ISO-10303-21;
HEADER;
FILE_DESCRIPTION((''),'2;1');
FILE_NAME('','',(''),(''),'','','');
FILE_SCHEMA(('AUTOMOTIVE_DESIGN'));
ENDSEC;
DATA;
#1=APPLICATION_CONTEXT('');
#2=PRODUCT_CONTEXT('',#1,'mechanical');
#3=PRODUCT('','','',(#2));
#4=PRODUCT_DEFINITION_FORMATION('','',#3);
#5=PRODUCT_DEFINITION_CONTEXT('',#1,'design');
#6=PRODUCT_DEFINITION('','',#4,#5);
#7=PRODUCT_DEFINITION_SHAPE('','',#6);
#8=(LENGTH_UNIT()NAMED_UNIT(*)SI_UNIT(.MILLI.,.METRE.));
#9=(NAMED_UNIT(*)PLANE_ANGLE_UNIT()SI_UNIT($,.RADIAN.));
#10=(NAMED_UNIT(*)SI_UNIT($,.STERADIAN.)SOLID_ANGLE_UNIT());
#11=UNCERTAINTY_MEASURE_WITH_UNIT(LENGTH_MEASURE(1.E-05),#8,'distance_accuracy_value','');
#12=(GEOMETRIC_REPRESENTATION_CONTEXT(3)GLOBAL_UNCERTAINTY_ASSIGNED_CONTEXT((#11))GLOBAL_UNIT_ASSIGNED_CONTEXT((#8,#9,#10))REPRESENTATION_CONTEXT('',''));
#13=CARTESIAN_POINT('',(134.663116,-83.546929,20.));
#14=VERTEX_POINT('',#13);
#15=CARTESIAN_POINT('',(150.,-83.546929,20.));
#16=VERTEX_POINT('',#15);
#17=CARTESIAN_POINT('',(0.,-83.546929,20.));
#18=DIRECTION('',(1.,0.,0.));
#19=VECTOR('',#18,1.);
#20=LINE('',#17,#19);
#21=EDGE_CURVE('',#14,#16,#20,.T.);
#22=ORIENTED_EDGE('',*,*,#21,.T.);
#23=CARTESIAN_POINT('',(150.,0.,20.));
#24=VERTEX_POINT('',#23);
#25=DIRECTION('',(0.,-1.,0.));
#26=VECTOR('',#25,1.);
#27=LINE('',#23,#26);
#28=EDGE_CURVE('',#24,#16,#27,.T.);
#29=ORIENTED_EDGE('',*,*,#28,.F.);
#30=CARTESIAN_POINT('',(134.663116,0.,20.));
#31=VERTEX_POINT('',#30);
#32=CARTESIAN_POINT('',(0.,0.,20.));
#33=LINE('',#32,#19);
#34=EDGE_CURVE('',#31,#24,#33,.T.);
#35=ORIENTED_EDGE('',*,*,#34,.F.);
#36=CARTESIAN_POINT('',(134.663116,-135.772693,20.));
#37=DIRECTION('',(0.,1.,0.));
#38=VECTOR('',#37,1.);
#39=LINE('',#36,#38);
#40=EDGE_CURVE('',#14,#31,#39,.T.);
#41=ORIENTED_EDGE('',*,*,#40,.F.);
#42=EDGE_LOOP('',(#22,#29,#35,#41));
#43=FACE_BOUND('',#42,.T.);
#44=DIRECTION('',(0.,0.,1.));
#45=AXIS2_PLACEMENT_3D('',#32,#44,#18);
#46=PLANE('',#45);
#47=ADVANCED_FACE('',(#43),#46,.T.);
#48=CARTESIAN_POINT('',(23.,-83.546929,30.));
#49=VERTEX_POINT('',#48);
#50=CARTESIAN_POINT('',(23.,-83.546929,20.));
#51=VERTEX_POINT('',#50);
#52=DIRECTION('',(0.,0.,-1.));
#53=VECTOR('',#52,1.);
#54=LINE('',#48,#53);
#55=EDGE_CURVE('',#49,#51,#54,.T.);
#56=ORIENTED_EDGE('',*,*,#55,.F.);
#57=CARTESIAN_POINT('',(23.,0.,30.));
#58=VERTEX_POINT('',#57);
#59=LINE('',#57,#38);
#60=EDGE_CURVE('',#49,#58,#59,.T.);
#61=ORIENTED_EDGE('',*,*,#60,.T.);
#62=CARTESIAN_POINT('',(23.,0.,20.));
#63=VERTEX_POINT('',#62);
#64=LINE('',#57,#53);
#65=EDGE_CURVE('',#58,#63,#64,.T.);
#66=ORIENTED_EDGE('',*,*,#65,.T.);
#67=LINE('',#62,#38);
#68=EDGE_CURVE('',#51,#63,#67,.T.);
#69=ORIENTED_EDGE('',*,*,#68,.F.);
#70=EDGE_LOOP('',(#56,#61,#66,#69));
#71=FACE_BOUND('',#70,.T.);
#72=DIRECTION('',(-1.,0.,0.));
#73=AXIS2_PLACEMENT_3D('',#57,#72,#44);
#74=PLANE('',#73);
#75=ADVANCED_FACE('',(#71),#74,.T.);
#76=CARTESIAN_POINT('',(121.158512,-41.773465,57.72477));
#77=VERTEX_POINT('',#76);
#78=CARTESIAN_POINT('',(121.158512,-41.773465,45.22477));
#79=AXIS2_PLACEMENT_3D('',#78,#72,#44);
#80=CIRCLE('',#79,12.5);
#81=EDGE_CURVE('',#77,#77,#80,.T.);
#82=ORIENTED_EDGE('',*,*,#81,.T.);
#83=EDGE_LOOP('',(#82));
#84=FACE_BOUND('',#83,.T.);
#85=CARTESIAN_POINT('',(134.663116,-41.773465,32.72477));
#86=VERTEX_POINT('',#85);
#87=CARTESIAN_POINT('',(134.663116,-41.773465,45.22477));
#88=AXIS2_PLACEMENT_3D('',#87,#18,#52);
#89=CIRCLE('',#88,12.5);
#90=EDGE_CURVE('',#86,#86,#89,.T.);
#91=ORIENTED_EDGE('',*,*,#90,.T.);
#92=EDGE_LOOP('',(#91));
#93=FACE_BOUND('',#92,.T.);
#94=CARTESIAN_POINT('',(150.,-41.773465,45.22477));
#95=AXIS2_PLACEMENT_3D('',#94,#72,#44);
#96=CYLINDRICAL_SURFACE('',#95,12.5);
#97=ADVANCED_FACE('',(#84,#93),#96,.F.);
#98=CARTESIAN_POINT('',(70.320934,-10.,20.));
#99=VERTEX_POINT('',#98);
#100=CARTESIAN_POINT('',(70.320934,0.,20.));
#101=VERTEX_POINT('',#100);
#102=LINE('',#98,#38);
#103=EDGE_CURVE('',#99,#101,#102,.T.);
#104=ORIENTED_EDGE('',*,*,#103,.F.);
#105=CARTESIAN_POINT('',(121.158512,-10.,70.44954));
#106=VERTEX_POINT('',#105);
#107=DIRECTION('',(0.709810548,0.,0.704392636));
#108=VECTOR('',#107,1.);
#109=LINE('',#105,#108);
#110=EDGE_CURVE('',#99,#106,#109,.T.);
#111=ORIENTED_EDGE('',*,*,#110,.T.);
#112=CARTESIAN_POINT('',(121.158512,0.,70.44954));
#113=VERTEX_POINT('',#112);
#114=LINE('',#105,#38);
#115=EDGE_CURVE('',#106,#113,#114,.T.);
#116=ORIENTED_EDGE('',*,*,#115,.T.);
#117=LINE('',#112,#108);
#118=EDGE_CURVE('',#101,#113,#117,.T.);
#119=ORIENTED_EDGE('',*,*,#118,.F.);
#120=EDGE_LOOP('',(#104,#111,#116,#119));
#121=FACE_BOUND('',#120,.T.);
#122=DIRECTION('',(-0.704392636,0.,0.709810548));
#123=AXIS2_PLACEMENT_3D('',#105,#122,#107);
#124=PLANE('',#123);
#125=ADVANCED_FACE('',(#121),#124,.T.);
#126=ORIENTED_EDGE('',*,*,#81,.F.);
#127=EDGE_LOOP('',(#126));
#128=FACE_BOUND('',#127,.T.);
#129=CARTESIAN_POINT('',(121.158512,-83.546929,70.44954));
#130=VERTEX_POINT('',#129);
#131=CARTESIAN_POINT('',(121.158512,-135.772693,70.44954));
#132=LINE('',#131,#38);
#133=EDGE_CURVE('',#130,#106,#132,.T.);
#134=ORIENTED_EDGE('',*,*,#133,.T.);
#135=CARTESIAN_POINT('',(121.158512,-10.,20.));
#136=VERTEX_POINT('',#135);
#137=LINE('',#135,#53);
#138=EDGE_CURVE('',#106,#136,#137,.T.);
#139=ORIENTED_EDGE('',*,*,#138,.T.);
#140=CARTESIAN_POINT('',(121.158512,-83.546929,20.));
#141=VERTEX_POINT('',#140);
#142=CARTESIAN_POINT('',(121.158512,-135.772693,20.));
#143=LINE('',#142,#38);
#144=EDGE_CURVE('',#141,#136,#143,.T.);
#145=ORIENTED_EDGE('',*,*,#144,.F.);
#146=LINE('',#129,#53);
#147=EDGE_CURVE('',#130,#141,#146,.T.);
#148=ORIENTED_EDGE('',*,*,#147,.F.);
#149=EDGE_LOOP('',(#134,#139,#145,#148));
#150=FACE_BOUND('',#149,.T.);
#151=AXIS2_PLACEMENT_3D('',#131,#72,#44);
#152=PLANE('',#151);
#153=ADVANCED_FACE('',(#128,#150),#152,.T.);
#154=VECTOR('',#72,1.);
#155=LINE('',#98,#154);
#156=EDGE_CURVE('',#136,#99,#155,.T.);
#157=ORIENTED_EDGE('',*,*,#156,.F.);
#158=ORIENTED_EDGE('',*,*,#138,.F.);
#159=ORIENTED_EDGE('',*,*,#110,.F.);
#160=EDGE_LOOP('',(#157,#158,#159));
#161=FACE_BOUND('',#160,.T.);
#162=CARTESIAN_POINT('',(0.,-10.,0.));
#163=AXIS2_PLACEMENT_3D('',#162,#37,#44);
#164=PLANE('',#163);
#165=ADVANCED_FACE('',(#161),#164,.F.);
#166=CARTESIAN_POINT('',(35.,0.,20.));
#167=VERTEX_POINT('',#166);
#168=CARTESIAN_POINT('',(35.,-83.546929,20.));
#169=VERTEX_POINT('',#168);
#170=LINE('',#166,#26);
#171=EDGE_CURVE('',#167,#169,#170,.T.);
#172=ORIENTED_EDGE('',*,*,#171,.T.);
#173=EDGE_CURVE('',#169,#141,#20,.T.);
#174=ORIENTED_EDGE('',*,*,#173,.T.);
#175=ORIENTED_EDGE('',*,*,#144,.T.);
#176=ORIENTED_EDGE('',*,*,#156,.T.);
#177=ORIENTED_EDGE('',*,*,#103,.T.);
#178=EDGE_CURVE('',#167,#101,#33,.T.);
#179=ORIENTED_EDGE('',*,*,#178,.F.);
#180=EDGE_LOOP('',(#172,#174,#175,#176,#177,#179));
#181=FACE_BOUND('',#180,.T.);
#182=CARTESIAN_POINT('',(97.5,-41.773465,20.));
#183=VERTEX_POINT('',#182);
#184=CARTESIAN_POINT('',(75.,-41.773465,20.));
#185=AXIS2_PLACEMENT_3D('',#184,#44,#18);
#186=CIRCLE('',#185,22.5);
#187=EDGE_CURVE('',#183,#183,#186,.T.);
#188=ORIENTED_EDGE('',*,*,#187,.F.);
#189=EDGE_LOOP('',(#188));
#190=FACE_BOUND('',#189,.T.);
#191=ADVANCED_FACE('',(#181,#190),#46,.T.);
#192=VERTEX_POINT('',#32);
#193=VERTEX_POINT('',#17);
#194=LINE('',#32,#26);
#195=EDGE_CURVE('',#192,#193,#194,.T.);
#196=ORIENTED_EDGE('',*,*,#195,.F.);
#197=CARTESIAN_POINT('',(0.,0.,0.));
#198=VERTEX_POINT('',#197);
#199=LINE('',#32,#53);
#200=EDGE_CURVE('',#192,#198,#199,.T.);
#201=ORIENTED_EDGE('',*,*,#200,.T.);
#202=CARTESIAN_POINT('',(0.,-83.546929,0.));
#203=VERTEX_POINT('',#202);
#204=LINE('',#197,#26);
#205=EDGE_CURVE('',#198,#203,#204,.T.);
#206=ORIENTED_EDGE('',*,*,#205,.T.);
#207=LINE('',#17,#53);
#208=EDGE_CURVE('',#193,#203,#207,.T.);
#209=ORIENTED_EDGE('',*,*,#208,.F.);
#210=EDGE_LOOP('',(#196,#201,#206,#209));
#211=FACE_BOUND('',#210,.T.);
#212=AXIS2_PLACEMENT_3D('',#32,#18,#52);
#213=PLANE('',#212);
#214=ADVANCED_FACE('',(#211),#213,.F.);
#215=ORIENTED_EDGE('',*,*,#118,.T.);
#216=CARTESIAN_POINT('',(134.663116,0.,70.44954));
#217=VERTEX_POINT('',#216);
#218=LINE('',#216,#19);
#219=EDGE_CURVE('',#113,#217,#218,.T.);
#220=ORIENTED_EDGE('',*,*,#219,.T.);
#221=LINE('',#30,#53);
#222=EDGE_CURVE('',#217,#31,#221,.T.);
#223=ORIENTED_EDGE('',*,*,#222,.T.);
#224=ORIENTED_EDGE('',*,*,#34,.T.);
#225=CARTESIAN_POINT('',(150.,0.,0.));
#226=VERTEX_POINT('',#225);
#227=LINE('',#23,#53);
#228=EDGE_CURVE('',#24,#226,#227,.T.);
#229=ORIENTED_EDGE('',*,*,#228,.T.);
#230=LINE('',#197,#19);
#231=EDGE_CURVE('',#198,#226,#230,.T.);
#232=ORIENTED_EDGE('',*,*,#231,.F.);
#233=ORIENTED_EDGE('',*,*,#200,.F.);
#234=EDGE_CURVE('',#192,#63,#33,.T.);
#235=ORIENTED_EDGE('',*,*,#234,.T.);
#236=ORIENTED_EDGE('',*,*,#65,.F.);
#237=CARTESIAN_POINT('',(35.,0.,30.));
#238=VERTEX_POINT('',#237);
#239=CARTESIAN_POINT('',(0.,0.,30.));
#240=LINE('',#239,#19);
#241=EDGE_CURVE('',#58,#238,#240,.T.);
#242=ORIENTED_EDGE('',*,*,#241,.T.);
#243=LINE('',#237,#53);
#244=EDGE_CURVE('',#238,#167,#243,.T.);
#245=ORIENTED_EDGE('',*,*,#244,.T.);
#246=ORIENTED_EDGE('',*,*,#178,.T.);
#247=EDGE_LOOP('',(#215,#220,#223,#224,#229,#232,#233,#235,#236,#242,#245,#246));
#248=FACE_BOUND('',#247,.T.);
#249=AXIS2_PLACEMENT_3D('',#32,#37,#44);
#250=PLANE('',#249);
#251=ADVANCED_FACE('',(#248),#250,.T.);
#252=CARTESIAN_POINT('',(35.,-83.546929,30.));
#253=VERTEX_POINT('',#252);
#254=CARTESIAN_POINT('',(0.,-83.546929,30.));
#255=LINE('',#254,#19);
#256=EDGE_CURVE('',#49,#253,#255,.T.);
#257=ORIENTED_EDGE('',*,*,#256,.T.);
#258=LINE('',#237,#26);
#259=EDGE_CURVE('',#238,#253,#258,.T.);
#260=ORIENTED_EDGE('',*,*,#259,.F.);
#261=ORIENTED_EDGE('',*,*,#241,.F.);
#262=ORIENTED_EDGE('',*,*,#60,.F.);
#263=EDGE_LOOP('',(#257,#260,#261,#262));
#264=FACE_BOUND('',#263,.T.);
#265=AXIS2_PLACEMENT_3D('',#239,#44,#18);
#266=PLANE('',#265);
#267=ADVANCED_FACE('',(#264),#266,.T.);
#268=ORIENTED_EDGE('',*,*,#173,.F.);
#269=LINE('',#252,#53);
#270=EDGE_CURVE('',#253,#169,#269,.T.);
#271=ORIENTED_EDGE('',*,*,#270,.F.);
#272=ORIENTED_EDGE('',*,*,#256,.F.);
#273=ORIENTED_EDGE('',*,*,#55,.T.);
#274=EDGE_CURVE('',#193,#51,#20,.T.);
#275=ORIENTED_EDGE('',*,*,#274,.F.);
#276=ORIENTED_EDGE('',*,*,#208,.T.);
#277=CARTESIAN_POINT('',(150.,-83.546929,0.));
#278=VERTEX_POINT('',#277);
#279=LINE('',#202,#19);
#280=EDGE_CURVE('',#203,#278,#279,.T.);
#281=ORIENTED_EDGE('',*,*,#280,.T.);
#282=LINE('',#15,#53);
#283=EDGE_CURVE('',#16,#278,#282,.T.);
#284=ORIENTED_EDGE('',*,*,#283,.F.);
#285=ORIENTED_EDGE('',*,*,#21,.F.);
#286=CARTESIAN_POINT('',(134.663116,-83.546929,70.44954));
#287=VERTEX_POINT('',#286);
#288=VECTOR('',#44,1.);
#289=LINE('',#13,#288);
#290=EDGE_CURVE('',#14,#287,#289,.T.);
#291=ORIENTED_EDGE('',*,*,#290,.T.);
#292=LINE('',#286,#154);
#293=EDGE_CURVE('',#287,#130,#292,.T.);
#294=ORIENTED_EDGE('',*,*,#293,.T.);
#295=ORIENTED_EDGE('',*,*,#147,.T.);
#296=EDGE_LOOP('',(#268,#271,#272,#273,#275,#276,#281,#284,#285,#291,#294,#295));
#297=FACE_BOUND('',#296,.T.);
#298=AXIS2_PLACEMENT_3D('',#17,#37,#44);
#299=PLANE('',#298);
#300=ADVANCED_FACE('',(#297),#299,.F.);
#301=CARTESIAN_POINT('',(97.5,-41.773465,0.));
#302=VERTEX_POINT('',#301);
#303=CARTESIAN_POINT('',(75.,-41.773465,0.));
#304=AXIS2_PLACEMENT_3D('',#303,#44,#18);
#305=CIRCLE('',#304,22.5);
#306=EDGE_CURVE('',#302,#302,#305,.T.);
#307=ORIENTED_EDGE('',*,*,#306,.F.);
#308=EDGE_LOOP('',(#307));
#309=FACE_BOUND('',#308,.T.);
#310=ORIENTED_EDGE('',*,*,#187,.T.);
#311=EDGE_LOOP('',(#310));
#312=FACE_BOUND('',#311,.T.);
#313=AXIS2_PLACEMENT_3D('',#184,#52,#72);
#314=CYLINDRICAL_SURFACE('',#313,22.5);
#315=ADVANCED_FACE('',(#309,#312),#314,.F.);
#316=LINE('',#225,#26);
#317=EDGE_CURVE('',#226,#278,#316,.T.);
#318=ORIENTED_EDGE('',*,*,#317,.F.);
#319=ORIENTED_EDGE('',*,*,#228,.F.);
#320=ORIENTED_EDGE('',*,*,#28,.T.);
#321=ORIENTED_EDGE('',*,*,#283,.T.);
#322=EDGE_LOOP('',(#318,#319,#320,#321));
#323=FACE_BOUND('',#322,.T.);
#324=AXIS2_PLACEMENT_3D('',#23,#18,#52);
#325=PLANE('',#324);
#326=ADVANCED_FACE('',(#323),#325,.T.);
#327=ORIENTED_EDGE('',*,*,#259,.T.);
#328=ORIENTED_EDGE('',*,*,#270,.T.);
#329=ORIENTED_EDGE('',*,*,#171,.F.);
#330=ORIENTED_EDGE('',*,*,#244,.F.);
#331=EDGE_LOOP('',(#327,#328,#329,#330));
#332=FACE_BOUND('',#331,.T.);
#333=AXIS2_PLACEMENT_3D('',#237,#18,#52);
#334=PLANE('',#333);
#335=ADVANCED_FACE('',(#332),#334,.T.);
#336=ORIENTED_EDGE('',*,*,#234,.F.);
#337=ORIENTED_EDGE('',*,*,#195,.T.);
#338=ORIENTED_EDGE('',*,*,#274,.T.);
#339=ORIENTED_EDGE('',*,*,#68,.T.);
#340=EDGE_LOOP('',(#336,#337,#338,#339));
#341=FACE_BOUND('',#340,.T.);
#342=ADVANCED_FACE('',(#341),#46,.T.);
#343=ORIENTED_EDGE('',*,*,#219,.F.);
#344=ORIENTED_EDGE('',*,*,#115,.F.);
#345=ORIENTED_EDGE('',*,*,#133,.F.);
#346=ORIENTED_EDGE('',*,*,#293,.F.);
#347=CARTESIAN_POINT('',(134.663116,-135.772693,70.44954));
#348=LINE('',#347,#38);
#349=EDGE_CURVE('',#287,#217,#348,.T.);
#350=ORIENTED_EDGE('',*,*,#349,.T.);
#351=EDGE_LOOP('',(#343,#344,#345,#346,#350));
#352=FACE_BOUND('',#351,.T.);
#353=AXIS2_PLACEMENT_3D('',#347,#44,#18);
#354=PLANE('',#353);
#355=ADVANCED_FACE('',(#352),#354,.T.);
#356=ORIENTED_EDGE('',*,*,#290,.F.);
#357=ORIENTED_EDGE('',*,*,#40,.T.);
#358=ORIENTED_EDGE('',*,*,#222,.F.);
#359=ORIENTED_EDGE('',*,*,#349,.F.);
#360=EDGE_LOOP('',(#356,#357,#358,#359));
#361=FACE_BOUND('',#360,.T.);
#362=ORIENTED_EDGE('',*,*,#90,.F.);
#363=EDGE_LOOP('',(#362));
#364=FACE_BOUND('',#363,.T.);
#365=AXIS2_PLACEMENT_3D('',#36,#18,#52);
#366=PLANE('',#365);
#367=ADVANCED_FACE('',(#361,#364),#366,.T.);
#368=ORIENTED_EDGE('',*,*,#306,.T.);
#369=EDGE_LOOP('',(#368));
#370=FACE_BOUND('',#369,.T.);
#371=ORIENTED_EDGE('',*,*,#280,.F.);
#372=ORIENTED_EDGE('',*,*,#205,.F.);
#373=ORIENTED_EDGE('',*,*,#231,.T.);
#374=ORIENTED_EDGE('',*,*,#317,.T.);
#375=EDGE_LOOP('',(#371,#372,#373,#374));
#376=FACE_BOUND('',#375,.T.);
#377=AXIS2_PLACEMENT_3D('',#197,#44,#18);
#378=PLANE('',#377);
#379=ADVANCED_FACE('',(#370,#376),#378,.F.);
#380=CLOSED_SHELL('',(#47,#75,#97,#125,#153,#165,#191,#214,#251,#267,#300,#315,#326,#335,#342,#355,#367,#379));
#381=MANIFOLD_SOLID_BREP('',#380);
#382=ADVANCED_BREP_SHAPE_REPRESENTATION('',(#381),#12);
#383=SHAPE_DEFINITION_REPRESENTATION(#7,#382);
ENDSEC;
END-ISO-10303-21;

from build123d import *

# Parameters (mm, degrees)
SKETCH_2_W          = 23
SKETCH_2_H          = 83.54692924
EXTRUDE_1_DEPTH     = 20
SKETCH_2_W_2        = 115
SKETCH_2_R          = 22.5
EXTRUDE_1_2_DEPTH   = 20
SKETCH_2_3_W        = 12
SKETCH_2_3_H        = 83.54692924
EXTRUDE_2_DEPTH     = 30
SKETCH_4_W          = 13.50460444
SKETCH_4_H          = 50.449539632
EXTRUDE_4_DEPTH     = 83.54692924
SKETCH_6_R          = 12.5
CUT_EXTRUDE_1_DEPTH = 164.164371188
EXTRUDE_5_DEPTH     = 10


with BuildPart() as part:
    # Эскиз2 → Бобышка-Вытянуть1 (new body)
    with BuildSketch(Plane.XY):
        with Locations((11.5, -41.77346462)):
            Rectangle(SKETCH_2_W, SKETCH_2_H)
    extrude(amount=EXTRUDE_1_DEPTH)



with BuildPart() as body_2:
    # Эскиз2 → Extrude 1 2 (new body)
    with BuildSketch(Plane.XY):
        with Locations((92.5, -41.77346462)):
            Rectangle(SKETCH_2_W_2, SKETCH_2_H)
        with Locations((75, -41.77346462)):
            Circle(SKETCH_2_R, mode=Mode.SUBTRACT)
    extrude(amount=EXTRUDE_1_2_DEPTH)


with BuildPart() as part_1:
    add(part.part)

    add(body_2.part)  # Бобышка-Вытянуть2 merges body 2
    # Эскиз2<3> → Бобышка-Вытянуть2 (add)
    with BuildSketch(Plane.XY):
        with Locations((29, -41.77346462)):
            Rectangle(SKETCH_2_3_W, SKETCH_2_3_H)
    extrude(amount=EXTRUDE_2_DEPTH)

    # Эскиз4 → Бобышка-Вытянуть4 (add)
    with BuildSketch(Plane(origin=(0, 0, 0), x_dir=(1, 0, 0), z_dir=(0, 1, 0))):
        with Locations((127.910814118, -45.224769816)):
            Rectangle(SKETCH_4_W, SKETCH_4_H)
    extrude(amount=-EXTRUDE_4_DEPTH)

    # Эскиз6 → Вырез-Вытянуть1 (cut, through all)
    with BuildSketch(Plane.ZY.offset(-121.158511898)):
        with Locations((45.224769816, -41.77346462)):
            Circle(SKETCH_6_R)
    extrude(amount=-CUT_EXTRUDE_1_DEPTH, mode=Mode.SUBTRACT)

    # Эскиз7 → Бобышка-Вытянуть5 (add)
    with BuildSketch(Plane(origin=(0, 0, 0), x_dir=(1, 0, 0), z_dir=(0, 1, 0))):
        Polygon((121.158511898, -70.449539632), (70.320934242, -20), (121.158511898, -20), align=None)
    extrude(amount=-EXTRUDE_5_DEPTH)


solid = part_1.part
